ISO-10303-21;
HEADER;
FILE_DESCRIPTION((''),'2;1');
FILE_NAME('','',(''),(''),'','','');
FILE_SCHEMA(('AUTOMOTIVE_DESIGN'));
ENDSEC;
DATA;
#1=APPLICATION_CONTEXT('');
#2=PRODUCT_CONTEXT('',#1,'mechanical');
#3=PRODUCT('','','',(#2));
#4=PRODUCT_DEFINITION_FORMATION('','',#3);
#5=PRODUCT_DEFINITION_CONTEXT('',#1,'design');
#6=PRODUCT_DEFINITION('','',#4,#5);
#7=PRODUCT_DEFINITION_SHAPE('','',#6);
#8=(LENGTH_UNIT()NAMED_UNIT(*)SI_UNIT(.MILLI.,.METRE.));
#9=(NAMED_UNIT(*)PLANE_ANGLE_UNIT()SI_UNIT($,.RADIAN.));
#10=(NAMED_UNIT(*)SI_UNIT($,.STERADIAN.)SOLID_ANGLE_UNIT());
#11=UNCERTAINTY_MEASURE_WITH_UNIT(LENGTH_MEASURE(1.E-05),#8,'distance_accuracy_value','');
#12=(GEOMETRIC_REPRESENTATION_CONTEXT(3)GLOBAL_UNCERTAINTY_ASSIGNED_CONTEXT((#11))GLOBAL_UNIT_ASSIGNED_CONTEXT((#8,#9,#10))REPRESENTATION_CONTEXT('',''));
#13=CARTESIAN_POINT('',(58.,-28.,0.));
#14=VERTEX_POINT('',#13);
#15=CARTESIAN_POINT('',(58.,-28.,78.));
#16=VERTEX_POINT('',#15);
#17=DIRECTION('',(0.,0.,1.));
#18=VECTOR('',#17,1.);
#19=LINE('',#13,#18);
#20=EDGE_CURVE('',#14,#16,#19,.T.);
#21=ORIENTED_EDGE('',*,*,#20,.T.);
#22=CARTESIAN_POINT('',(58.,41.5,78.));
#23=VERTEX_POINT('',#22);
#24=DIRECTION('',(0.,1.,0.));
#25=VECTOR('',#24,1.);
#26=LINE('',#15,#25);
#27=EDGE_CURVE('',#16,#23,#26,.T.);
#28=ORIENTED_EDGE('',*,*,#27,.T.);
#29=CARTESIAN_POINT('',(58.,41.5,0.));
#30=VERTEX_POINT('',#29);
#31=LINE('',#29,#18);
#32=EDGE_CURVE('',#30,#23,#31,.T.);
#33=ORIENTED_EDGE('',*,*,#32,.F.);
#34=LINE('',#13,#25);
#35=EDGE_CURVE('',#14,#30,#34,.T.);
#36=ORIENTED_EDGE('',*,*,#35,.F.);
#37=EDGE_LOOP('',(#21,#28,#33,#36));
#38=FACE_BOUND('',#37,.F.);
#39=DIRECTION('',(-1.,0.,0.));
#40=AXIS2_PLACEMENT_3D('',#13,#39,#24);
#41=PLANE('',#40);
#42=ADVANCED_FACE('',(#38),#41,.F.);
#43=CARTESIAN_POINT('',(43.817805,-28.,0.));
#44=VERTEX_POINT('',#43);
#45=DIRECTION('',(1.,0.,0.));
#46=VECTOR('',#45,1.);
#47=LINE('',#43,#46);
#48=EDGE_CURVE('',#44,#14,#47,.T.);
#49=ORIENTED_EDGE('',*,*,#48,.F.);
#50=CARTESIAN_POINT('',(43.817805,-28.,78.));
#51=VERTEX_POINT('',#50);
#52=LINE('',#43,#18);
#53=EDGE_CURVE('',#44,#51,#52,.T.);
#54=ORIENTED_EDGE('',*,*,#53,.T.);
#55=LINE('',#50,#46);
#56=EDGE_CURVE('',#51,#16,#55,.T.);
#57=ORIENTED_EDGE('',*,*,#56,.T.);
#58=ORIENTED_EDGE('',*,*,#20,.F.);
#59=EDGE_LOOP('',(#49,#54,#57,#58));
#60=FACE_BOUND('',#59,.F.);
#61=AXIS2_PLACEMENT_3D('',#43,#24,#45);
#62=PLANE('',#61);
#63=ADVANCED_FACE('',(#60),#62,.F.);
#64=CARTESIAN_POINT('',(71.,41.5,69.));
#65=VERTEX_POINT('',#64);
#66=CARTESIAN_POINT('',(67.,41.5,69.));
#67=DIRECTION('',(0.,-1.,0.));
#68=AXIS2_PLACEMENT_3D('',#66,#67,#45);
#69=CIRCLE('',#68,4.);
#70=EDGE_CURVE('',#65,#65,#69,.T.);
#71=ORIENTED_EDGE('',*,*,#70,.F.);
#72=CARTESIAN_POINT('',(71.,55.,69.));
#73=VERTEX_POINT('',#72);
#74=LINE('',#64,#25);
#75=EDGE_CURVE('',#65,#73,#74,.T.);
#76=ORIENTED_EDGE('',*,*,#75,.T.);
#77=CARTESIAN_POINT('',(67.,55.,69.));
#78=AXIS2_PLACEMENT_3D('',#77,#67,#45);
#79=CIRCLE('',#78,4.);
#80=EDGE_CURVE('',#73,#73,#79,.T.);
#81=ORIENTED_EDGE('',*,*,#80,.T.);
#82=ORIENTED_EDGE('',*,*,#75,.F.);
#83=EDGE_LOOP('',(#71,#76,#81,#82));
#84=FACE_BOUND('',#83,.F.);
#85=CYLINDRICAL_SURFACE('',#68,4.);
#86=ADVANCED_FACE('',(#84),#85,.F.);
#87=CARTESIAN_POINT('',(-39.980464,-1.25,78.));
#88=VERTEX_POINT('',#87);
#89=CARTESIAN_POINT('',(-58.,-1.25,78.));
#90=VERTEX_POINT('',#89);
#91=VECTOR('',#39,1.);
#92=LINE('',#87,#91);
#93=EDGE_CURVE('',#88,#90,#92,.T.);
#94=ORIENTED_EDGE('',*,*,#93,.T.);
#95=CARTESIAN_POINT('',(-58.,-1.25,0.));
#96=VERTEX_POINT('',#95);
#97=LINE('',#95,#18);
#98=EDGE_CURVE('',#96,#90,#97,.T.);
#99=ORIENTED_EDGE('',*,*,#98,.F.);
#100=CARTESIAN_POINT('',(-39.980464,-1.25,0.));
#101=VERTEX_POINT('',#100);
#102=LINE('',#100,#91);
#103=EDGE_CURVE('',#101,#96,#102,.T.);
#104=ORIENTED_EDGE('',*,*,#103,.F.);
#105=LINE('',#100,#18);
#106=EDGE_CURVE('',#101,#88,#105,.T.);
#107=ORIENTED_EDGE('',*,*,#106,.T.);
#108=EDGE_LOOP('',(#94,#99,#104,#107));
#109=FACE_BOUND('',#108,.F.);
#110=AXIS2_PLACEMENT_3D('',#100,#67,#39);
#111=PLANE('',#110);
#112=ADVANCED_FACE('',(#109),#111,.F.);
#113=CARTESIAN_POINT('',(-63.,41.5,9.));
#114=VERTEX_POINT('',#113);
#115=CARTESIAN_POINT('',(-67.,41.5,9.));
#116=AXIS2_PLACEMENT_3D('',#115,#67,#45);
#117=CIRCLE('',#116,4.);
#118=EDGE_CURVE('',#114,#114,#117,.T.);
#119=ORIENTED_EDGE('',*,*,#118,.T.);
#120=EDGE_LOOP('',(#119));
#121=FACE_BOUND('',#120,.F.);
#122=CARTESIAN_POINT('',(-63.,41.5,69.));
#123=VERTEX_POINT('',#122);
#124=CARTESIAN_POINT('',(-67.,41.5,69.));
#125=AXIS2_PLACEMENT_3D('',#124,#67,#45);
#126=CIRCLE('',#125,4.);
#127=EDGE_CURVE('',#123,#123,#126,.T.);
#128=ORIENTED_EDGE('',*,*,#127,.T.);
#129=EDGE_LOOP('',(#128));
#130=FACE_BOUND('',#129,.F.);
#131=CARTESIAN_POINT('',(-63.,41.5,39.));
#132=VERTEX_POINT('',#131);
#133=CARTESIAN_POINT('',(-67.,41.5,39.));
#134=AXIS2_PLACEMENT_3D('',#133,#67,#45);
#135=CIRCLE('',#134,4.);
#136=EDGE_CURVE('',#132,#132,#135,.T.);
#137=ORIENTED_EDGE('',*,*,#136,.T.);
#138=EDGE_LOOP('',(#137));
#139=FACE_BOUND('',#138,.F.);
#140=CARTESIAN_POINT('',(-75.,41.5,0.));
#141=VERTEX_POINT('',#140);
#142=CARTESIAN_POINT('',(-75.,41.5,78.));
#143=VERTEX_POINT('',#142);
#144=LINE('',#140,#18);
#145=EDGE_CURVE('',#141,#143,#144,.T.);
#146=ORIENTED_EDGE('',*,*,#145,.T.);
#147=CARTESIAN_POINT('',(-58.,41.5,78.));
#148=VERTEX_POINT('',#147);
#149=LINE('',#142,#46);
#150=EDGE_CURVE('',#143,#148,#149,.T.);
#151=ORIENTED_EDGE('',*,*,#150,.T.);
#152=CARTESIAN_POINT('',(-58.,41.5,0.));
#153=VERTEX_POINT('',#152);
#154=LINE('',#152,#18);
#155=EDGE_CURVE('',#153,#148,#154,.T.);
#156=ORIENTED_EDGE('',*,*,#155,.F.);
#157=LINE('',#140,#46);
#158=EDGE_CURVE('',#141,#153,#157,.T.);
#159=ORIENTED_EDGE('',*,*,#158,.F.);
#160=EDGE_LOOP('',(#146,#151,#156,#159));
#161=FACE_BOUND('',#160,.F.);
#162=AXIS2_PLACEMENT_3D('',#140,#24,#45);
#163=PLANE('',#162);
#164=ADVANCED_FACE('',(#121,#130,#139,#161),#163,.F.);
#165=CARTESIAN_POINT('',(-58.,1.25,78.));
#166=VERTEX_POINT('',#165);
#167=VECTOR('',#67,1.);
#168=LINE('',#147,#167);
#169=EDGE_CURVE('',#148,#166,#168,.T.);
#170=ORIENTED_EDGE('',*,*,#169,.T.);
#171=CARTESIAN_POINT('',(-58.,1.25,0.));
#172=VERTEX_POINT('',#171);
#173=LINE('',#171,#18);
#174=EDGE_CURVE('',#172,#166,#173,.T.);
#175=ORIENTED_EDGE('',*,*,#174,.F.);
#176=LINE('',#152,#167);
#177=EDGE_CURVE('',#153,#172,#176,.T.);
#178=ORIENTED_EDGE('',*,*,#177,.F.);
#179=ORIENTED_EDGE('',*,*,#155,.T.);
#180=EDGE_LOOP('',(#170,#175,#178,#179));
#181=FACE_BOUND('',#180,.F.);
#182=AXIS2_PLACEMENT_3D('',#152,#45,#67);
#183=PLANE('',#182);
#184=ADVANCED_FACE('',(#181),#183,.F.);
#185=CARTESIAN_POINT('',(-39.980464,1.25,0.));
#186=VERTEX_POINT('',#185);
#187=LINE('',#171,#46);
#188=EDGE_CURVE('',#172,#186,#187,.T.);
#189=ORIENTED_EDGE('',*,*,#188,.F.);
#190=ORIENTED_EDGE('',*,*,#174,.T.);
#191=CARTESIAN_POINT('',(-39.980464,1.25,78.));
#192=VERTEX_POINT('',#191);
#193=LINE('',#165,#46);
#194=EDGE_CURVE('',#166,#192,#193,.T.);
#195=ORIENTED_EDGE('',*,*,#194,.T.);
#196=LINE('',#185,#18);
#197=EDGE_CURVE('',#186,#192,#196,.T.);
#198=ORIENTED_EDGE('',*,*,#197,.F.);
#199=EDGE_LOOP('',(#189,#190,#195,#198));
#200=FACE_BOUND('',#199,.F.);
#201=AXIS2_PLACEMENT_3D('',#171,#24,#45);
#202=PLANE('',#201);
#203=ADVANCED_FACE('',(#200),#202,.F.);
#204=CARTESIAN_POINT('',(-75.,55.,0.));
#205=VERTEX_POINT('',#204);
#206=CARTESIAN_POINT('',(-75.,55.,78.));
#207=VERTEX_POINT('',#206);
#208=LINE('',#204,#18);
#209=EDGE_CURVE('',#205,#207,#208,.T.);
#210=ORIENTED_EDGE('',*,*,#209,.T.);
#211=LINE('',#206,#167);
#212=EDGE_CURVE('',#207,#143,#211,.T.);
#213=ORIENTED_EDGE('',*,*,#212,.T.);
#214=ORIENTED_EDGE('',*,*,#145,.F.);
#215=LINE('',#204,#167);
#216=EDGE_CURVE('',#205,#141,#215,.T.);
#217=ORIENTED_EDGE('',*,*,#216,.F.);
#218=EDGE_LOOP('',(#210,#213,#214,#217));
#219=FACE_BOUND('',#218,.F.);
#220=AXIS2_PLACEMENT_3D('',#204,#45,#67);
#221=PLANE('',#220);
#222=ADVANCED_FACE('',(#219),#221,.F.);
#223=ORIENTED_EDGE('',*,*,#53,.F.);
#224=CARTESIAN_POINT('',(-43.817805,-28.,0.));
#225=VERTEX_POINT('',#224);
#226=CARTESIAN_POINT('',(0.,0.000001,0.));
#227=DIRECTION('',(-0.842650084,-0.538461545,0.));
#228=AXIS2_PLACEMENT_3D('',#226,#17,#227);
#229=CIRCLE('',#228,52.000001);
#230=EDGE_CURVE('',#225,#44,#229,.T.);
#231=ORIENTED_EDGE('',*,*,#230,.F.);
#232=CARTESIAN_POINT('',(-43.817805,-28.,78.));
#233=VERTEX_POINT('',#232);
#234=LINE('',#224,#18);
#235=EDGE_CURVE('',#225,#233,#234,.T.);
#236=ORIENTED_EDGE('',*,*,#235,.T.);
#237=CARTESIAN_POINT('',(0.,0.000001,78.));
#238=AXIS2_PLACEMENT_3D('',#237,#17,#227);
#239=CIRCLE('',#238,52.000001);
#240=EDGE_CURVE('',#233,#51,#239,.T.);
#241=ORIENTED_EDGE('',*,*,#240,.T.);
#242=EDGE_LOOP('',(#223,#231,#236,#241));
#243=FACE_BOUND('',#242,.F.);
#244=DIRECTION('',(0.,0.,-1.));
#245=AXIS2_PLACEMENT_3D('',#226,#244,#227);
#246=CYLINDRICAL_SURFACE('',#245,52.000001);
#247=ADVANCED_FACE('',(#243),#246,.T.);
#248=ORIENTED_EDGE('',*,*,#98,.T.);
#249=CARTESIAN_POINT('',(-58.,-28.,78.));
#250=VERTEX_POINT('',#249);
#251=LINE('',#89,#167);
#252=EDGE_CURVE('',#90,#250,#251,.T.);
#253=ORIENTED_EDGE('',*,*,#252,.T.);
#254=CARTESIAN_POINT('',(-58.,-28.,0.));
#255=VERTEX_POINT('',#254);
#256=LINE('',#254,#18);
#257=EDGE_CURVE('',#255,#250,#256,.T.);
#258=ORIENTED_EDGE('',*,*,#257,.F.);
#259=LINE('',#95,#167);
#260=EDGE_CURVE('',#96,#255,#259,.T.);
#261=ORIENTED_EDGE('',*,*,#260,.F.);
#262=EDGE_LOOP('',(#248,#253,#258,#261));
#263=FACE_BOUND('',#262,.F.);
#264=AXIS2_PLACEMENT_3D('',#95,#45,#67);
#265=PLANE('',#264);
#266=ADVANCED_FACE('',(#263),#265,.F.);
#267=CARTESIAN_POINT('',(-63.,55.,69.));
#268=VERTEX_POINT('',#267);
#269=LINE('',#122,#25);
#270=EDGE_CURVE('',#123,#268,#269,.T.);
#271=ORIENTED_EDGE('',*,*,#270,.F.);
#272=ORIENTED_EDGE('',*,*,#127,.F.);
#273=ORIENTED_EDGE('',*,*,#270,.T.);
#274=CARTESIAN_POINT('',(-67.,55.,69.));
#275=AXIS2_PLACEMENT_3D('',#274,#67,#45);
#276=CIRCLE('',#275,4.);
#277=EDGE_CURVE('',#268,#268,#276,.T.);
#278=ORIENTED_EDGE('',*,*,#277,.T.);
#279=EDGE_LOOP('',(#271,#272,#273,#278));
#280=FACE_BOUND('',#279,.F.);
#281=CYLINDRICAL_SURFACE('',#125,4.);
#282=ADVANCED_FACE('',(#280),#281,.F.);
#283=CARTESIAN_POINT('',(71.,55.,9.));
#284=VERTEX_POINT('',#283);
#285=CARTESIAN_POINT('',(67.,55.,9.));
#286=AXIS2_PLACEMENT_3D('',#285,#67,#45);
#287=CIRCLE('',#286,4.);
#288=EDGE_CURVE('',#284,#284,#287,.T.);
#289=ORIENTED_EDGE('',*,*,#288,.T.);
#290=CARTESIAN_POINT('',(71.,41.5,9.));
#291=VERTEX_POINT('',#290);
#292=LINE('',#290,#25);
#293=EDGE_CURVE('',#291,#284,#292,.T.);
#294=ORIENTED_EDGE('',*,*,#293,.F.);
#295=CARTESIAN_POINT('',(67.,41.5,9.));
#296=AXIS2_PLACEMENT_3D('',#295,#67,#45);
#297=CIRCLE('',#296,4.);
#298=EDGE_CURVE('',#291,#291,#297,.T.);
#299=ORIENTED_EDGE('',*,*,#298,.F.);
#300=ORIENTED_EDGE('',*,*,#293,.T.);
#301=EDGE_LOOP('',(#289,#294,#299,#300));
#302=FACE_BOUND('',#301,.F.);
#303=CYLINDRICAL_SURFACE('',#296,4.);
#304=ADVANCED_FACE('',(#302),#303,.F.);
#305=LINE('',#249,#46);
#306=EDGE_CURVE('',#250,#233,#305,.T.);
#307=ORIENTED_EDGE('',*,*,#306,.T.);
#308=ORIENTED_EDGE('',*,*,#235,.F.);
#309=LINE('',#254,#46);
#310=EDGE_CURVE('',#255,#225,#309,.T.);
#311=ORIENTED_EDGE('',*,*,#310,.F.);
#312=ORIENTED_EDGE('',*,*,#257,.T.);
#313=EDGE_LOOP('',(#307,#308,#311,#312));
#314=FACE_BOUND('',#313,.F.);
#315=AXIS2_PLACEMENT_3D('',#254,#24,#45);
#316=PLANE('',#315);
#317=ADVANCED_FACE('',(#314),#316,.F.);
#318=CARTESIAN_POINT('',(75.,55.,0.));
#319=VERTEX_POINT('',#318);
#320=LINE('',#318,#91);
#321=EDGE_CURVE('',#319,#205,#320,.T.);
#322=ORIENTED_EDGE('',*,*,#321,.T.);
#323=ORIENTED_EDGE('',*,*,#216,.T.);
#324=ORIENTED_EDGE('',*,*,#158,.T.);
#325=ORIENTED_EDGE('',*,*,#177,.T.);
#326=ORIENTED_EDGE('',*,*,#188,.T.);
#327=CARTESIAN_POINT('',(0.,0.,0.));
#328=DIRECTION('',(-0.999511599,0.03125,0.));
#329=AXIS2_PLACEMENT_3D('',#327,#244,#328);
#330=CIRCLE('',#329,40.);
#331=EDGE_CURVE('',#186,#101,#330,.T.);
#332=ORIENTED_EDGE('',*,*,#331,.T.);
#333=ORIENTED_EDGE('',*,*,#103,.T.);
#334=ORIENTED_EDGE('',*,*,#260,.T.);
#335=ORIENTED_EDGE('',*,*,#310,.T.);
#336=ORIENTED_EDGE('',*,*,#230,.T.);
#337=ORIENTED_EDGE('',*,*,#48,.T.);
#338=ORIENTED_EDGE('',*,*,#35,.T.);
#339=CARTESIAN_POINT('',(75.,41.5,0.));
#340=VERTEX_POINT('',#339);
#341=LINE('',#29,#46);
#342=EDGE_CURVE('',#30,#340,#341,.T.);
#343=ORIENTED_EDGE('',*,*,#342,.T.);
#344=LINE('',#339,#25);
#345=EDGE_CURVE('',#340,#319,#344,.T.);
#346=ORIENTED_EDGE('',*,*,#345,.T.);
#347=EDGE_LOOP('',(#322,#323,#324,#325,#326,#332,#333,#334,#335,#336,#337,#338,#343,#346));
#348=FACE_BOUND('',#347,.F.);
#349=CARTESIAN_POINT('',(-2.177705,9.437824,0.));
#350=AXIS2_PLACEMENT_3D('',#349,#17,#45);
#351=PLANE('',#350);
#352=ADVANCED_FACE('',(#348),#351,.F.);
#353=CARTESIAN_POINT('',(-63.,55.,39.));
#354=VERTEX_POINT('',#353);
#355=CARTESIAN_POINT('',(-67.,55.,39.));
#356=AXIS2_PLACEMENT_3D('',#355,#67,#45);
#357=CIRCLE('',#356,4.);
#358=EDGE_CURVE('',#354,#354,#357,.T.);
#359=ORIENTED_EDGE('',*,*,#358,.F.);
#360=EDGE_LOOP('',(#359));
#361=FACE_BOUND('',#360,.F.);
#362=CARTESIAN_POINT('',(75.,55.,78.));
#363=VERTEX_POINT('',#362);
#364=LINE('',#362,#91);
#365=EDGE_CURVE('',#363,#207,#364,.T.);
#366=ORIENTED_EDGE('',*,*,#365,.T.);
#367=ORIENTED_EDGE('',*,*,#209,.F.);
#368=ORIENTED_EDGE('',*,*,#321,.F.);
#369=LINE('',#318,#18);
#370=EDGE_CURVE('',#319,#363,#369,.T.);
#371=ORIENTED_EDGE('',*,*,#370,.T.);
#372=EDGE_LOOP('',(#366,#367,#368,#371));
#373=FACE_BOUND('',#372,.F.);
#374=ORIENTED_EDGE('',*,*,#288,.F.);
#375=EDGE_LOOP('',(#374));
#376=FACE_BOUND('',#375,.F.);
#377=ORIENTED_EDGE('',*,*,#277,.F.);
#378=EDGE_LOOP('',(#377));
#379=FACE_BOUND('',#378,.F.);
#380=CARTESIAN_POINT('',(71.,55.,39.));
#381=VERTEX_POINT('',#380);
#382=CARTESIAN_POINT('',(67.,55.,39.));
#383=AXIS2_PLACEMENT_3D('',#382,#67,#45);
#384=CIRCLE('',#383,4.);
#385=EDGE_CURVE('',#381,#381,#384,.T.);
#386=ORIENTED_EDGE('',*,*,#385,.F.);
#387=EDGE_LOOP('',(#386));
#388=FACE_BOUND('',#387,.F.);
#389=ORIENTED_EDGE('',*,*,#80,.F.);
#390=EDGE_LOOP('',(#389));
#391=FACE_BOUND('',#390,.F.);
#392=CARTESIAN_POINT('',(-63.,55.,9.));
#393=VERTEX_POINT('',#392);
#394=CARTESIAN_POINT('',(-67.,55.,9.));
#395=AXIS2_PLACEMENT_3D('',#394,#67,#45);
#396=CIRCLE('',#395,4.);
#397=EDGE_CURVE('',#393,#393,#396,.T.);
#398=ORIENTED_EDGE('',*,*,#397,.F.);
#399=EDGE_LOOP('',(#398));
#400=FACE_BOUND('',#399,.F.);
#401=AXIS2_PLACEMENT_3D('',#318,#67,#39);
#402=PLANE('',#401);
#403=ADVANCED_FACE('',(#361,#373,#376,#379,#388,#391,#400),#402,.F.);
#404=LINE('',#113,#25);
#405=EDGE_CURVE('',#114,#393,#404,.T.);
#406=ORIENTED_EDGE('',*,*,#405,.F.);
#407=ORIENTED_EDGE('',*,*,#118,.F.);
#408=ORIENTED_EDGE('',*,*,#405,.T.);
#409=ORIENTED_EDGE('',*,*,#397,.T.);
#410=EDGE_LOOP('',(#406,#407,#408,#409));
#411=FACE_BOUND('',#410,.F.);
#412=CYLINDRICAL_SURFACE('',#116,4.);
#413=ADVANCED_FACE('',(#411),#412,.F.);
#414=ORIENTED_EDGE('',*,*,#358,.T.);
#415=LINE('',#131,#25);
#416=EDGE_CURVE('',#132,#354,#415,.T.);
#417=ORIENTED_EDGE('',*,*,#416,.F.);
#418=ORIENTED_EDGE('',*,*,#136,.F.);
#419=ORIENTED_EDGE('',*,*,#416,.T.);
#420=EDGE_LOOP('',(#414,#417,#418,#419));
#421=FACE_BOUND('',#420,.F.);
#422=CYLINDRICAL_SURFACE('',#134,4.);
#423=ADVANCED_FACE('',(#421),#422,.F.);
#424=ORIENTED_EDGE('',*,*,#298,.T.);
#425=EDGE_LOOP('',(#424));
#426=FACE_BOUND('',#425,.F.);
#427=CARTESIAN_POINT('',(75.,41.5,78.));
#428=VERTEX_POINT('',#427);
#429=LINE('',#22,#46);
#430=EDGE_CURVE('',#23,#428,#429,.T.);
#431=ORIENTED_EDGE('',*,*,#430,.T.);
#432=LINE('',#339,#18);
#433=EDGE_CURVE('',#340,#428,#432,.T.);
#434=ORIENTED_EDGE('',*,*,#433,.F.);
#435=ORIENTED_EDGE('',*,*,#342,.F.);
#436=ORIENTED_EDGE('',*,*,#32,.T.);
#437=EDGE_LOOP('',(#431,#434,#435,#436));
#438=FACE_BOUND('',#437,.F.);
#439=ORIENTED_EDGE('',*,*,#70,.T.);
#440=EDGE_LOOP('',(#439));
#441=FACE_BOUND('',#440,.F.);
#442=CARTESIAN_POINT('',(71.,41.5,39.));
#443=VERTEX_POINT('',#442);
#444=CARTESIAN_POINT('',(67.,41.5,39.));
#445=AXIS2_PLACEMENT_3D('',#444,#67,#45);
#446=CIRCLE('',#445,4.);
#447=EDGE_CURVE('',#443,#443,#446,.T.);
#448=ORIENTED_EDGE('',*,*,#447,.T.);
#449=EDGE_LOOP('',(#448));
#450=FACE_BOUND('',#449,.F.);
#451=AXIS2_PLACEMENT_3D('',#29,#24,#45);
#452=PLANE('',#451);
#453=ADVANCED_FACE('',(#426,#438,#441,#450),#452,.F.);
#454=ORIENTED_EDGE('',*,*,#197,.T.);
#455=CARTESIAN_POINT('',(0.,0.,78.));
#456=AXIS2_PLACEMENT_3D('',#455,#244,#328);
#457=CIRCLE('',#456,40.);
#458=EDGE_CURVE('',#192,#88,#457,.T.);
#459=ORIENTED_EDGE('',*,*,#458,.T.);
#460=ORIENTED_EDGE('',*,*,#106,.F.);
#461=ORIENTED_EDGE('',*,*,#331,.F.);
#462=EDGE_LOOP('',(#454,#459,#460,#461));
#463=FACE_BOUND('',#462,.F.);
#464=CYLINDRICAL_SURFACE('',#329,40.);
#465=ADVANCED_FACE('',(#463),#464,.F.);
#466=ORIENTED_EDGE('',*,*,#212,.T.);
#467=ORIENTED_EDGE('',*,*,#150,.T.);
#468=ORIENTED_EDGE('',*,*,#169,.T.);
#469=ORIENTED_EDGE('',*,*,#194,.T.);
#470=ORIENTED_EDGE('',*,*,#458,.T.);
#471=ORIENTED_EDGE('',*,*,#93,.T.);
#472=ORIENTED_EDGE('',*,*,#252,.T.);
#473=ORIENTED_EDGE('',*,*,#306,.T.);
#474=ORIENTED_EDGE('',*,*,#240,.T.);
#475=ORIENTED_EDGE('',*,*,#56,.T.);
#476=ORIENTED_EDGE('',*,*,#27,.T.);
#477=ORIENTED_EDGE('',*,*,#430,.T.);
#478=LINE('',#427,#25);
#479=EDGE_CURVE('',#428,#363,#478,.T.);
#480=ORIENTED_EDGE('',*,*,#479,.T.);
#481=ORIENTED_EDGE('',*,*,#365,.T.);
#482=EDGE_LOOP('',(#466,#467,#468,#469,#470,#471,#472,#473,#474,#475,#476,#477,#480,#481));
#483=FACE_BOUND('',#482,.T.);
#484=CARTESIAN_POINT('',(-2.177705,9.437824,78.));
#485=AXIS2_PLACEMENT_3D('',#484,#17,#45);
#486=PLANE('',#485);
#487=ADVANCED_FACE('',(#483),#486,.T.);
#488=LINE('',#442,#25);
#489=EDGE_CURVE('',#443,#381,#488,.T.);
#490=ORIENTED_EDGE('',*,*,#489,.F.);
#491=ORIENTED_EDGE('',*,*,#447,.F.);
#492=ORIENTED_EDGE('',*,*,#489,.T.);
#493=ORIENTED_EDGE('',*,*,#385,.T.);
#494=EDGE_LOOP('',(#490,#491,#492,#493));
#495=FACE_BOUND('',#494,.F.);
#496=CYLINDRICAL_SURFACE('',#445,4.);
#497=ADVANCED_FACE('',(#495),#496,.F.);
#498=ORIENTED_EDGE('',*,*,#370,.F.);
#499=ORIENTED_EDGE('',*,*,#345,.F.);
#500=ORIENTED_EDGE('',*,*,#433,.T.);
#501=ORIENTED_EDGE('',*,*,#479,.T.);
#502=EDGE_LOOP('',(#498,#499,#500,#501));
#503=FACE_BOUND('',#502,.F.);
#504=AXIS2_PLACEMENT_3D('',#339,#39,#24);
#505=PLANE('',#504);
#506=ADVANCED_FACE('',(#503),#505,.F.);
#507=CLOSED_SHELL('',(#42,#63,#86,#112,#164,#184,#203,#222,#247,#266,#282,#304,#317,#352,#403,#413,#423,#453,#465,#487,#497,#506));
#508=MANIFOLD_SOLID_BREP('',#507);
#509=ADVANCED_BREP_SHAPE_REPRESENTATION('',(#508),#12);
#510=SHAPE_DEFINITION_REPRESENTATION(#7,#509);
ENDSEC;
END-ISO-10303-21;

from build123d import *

# Parameters (mm, degrees)
F1_DEPTH = 78
F2_R     = 4
F3_DEPTH = 13.501


with BuildPart() as f1:
    # F0 (on Top) → F1 (new body)
    with BuildSketch(Plane.XY):
        with BuildLine():
            ThreePointArc((-39.980464, 1.25), (40, 0), (-39.980464, -1.25))
            Line((-39.980464, -1.25), (-58, -1.25))
            Line((-58, -1.25), (-58, -28))
            Line((-58, -28), (-43.817805, -28))
            ThreePointArc((-43.817805, -28), (0, -52), (43.817805, -28))
            Line((43.817805, -28), (58, -28))
            Line((58, -28), (58, 41.5))
            Line((58, 41.5), (75, 41.5))
            Line((75, 41.5), (75, 55))
            Line((75, 55), (-75, 55))
            Line((-75, 55), (-75, 41.5))
            Line((-75, 41.5), (-58, 41.5))
            Line((-58, 41.5), (-58, 1.25))
            Line((-58, 1.25), (-39.980464, 1.25))
        make_face()
    extrude(amount=F1_DEPTH)

    # F2 (on face) → F3 (cut, through all)
    with BuildSketch(Plane.XZ.offset(-41.5)):
        with Locations((-67, 69)):
            Circle(F2_R)
        with Locations((-67, 39)):
            Circle(F2_R)
        with Locations((-67, 9)):
            Circle(F2_R)
        with Locations((67, 9)):
            Circle(F2_R)
        with Locations((67, 39)):
            Circle(F2_R)
        with Locations((67, 69)):
            Circle(F2_R)
    extrude(amount=-F3_DEPTH, mode=Mode.SUBTRACT)


solid = f1.part
